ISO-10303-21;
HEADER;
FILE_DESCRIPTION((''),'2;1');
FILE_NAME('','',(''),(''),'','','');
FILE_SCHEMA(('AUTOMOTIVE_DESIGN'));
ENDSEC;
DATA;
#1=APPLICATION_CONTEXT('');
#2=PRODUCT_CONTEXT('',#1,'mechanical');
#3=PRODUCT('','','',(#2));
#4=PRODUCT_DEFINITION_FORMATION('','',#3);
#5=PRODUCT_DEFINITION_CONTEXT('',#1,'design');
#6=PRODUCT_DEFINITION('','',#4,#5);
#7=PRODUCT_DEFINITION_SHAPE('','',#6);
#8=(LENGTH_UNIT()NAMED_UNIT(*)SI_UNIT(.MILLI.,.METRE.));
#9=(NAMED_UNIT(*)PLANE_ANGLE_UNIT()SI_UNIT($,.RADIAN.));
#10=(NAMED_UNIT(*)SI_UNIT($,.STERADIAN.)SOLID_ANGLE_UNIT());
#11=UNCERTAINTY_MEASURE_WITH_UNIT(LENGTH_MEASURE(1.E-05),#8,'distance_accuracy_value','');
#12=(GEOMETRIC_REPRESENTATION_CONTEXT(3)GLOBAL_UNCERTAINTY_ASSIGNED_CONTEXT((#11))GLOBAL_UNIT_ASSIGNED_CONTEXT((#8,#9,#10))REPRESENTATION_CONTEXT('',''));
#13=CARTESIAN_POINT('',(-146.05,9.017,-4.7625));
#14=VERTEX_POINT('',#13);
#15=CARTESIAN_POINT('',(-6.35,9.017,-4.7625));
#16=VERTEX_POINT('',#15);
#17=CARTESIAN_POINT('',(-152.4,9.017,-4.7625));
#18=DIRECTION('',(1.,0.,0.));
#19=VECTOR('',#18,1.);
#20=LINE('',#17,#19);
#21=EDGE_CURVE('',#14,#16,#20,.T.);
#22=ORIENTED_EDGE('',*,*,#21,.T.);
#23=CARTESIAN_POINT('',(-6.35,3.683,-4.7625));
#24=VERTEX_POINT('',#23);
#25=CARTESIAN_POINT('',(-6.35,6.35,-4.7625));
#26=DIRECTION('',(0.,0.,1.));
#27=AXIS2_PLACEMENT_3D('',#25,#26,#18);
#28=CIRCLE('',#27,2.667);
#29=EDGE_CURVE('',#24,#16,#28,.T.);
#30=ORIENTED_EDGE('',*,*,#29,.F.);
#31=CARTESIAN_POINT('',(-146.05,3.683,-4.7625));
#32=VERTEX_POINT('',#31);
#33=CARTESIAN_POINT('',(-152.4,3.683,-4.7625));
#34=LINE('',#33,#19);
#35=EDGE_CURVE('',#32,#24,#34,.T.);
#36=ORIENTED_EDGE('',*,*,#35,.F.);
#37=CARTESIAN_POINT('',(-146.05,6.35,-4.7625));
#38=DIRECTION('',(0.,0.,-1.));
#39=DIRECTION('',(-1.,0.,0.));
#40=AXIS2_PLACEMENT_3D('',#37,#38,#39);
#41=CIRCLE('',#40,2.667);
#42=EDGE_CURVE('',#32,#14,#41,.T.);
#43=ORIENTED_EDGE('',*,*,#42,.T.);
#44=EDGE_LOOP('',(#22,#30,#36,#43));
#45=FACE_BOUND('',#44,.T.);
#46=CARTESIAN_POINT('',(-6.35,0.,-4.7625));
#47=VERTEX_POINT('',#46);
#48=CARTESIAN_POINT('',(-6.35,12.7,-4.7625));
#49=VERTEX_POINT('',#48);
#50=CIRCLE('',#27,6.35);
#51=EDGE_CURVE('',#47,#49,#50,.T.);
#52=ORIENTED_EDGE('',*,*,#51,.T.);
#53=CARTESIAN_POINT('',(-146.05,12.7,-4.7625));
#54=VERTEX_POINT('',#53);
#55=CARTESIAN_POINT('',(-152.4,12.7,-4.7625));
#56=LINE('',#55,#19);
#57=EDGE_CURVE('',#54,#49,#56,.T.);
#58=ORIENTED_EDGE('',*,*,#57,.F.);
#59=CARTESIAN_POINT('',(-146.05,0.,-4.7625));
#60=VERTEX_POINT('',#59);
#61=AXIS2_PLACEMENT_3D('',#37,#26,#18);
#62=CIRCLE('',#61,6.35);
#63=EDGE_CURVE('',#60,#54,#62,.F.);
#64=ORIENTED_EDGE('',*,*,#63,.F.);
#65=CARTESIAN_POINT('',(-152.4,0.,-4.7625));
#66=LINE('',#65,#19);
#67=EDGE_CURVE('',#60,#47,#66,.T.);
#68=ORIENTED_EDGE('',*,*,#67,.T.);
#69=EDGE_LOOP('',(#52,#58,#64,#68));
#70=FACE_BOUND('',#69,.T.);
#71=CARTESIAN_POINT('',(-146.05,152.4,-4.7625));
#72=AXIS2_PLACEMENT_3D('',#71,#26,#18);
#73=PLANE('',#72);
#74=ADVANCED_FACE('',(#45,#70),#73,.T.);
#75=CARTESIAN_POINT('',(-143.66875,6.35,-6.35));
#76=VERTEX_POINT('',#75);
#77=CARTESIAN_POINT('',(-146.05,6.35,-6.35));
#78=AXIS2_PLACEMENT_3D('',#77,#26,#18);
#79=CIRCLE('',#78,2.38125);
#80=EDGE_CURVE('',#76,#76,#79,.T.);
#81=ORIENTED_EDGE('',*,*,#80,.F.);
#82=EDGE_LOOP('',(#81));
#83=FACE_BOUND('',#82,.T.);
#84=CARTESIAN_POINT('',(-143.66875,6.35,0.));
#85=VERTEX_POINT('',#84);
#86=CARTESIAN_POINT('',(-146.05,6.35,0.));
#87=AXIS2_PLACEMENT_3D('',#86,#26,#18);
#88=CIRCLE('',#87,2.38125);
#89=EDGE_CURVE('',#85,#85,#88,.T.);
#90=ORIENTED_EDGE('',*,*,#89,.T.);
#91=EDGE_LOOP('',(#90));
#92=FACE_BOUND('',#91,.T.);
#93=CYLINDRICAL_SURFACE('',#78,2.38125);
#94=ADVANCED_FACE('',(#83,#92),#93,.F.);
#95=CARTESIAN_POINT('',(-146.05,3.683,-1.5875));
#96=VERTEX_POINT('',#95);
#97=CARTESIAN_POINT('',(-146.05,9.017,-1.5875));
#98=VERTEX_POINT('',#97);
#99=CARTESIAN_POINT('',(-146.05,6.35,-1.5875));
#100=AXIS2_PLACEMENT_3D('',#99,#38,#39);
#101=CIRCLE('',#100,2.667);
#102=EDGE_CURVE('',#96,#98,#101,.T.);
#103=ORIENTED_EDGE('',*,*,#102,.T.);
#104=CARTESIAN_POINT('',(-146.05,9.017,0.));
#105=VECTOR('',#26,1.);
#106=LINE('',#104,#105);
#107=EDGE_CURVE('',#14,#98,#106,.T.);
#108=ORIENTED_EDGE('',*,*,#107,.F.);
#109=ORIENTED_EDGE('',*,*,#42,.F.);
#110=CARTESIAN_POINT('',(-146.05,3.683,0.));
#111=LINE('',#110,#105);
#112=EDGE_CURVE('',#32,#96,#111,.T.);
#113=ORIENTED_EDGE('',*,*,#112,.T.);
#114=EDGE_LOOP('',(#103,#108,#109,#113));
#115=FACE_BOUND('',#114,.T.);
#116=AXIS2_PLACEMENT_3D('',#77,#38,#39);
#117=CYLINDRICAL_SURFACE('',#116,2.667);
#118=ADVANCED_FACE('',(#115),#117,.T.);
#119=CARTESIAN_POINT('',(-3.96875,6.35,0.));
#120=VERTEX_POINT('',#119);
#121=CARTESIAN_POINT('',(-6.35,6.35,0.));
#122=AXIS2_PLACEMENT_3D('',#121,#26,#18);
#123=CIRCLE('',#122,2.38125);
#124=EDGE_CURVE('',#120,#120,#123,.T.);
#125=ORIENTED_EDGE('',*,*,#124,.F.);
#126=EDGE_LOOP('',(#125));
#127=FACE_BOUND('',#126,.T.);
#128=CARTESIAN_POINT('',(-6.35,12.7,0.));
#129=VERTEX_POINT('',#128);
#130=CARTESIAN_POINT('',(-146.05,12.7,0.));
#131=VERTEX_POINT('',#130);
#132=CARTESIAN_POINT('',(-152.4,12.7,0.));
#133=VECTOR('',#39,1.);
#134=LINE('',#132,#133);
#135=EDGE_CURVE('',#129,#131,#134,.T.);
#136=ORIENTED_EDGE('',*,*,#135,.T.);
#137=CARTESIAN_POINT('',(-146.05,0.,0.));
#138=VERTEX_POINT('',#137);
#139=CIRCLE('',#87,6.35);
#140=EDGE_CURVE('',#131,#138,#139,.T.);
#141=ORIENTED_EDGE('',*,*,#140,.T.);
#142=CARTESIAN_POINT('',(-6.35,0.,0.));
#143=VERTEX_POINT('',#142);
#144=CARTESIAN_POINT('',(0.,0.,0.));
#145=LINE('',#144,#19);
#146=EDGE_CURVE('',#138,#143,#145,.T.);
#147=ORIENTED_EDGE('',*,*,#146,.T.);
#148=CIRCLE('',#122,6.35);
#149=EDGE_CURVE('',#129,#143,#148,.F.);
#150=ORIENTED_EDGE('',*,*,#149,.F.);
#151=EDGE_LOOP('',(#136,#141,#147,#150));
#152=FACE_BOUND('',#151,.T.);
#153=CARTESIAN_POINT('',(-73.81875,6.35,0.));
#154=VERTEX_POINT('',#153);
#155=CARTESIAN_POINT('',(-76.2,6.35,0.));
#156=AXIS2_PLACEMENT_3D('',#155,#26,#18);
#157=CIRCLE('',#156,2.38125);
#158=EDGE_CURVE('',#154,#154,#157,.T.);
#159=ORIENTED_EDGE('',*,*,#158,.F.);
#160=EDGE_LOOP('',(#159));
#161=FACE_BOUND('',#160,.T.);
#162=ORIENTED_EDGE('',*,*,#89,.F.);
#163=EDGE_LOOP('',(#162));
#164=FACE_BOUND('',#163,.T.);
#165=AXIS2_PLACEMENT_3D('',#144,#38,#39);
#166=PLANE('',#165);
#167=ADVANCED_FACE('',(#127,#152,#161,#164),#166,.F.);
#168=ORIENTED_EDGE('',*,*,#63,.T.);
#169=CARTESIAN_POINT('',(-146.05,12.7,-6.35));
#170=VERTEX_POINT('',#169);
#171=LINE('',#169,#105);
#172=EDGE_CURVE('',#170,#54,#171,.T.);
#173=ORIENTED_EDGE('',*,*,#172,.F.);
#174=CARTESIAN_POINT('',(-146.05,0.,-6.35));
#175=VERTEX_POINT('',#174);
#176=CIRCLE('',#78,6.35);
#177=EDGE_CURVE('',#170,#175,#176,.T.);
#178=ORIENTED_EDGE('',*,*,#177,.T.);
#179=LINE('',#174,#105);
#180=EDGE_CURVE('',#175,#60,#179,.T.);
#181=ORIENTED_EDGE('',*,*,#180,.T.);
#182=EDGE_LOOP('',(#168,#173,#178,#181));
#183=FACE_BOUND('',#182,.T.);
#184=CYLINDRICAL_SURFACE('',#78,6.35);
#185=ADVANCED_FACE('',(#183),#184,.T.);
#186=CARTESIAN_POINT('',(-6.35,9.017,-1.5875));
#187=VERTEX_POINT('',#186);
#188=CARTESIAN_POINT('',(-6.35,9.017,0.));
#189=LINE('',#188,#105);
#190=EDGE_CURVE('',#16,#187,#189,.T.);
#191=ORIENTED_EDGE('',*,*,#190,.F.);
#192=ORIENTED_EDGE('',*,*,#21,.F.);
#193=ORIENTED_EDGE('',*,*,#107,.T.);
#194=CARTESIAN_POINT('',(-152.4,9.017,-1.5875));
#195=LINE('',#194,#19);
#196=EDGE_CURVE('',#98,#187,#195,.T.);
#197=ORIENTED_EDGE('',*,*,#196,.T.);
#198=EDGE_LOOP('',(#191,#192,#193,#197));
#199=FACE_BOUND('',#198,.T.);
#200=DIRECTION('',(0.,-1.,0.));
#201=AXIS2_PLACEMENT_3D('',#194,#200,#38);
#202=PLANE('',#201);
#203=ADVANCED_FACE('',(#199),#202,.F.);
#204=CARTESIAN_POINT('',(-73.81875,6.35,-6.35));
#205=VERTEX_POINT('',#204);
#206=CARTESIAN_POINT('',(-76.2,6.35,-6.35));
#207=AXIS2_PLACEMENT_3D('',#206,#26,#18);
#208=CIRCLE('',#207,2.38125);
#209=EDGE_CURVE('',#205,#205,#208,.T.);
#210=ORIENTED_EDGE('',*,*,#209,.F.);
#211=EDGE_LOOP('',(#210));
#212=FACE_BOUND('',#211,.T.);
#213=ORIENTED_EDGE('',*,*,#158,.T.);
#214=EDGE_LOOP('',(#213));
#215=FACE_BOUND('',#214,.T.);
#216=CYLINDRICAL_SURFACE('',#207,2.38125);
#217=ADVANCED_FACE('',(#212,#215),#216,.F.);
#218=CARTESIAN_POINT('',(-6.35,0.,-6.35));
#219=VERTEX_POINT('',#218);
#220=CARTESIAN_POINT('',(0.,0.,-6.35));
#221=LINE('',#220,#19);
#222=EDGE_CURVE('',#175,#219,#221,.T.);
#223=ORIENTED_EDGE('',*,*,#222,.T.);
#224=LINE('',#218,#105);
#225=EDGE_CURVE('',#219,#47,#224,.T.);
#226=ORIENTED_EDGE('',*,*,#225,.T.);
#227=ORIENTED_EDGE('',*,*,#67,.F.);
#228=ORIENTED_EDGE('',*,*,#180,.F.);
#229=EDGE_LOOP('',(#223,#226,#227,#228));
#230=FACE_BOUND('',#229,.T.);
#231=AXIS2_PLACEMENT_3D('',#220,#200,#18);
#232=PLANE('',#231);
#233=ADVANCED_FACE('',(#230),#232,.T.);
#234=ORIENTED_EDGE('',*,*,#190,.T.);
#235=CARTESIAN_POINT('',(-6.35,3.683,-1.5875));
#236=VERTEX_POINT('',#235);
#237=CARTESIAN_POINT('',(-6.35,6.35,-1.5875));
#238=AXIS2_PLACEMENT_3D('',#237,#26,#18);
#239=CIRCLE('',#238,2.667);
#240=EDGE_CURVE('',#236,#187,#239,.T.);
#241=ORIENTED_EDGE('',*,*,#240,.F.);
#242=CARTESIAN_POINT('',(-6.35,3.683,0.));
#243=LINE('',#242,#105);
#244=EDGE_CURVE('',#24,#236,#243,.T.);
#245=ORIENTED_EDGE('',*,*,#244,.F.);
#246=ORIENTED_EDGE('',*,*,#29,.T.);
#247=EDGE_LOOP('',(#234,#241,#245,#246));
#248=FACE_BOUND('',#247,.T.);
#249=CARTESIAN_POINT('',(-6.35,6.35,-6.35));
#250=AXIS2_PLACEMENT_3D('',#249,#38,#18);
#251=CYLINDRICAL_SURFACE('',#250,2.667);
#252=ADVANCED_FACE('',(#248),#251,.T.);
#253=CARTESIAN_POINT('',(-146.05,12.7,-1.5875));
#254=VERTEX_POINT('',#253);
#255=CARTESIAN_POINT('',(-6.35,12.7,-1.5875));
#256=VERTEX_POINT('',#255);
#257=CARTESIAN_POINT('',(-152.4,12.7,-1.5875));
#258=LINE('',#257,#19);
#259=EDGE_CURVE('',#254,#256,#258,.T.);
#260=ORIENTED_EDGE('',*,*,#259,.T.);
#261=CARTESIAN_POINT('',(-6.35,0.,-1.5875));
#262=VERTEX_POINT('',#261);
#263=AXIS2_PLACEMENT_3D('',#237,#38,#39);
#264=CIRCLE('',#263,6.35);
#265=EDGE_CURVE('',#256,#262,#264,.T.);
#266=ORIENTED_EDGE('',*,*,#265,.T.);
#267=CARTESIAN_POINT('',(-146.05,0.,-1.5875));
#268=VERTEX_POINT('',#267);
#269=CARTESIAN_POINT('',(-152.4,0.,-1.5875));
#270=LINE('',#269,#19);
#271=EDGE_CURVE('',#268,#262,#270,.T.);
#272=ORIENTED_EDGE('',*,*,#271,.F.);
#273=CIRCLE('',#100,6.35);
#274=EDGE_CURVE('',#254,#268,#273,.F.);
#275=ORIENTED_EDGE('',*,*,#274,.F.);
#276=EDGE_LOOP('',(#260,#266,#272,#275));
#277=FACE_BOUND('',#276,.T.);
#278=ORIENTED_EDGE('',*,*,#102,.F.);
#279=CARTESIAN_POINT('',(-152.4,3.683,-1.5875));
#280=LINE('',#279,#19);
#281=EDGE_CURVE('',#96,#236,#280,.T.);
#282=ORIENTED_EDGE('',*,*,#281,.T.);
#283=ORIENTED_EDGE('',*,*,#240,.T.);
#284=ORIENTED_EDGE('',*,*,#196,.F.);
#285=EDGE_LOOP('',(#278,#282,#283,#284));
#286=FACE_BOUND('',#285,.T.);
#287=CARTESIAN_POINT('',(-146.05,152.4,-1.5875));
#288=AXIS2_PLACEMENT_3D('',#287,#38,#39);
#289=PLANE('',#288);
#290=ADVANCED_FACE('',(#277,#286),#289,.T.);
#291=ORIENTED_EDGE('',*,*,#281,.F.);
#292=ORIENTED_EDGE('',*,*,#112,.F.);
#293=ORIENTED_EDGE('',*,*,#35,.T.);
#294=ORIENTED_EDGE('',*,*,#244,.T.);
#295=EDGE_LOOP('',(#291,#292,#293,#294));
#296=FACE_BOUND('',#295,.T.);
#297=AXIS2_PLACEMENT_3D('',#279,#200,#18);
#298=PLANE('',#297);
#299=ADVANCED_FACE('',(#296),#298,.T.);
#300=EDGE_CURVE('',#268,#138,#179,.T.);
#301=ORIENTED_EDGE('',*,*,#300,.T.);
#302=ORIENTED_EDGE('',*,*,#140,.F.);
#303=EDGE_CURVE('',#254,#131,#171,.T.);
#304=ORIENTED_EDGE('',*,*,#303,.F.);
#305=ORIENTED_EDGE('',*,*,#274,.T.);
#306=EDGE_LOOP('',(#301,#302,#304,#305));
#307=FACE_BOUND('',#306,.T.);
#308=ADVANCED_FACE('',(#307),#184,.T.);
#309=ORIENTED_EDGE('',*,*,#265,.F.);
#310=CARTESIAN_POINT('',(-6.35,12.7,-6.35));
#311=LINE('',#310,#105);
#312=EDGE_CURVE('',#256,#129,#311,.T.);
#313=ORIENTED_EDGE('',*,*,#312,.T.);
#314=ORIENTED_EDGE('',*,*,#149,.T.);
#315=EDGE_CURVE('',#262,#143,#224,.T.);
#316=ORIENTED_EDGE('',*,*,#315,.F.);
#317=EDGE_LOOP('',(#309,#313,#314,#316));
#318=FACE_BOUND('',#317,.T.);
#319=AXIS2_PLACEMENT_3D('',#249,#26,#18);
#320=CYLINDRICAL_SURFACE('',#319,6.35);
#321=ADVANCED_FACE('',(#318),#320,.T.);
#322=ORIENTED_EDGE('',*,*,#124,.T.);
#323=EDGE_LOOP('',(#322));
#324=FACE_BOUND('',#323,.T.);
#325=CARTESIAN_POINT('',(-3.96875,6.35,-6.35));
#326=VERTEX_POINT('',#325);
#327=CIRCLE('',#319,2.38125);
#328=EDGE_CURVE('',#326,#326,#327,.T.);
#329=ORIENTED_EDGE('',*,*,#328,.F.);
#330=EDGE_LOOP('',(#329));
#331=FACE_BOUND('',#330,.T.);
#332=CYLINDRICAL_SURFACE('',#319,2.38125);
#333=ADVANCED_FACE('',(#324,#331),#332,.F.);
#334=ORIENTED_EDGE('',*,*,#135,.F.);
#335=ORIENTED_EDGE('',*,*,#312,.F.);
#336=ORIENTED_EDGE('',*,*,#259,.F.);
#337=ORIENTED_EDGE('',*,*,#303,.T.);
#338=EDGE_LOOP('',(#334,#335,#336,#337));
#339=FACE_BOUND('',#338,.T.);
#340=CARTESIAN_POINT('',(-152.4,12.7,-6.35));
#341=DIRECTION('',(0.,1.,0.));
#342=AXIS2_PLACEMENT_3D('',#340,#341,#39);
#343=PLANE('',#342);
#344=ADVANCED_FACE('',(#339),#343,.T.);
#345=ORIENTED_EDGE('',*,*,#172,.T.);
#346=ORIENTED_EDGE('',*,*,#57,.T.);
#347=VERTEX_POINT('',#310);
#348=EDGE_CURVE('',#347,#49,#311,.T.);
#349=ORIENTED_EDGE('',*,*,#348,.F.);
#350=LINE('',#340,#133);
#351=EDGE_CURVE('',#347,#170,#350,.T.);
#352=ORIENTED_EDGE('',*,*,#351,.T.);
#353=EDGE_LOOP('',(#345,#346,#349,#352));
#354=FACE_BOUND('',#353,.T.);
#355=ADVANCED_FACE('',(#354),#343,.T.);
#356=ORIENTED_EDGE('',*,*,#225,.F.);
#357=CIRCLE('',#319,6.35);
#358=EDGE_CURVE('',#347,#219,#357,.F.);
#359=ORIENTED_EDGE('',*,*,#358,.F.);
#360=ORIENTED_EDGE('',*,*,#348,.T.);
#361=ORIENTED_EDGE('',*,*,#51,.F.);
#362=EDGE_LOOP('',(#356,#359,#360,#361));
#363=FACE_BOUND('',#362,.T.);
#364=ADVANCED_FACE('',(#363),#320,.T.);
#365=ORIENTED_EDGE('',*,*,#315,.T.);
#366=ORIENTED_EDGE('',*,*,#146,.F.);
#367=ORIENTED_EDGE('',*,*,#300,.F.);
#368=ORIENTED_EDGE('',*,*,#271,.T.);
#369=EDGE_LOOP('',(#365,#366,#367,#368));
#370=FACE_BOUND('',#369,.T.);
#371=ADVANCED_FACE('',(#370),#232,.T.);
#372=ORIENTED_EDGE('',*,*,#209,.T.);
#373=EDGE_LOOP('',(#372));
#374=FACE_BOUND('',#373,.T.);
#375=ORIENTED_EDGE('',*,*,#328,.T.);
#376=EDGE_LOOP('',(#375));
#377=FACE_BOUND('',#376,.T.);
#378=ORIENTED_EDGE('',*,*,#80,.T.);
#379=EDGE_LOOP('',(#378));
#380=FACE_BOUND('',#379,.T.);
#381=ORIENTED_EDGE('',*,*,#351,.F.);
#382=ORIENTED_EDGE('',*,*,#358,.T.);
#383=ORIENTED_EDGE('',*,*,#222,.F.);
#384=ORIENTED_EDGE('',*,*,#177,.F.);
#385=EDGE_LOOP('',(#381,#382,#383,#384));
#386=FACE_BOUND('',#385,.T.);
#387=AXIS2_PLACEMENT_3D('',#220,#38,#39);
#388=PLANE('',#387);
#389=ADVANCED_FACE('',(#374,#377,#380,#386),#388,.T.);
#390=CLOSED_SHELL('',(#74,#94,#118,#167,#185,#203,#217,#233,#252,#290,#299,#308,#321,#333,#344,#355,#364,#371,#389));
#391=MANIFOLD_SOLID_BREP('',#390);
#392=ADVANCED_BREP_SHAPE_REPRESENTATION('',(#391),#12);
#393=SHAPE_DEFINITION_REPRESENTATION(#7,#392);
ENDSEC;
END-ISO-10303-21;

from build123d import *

# Parameters (mm, degrees)
ESQUISSE1_W             = 152.4
ESQUISSE1_H             = 12.7
BOSS_EXTRU_1_DEPTH      = 6.35
ESQUISSE2_R             = 2.38125
ENL_V_MAT_EXTRU_1_DEPTH = 154.060029074
SKETCH1_W               = 14.17076538
SKETCH1_H               = 3.175
CUT_REVOLVE1_ANGLE      = 180
SKETCH2_W               = 3.175
SKETCH2_H               = 3.683
CUT_EXTRUDE1_DEPTH      = 154.060029074


with BuildPart() as part:
    # Esquisse1 → Boss.-Extru.1 (new body)
    with BuildSketch(Plane.XY):
        with Locations((-76.2, 6.35)):
            Rectangle(ESQUISSE1_W, ESQUISSE1_H)
    extrude(amount=-BOSS_EXTRU_1_DEPTH)

    # Esquisse2 → Enlèv. mat.-Extru.1 (cut, through all)
    with BuildSketch(Plane.XY):
        with Locations((-146.05, 6.35)):
            Circle(ESQUISSE2_R)
        with Locations((-76.2, 6.35)):
            Circle(ESQUISSE2_R)
        with Locations((-6.35, 6.35)):
            Circle(ESQUISSE2_R)
        with BuildLine():
            Line((0, 12.7), (-6.35, 12.7))
            ThreePointArc((-6.35, 12.7), (-1.859871939, 10.840128061), (0, 6.35))
            Line((0, 6.35), (0, 12.7))
        make_face()
        with BuildLine():
            Line((0, 0), (0, 6.35))
            ThreePointArc((0, 6.35), (-1.859871939, 1.859871939), (-6.35, 0))
            Line((-6.35, 0), (0, 0))
        make_face()
        with BuildLine():
            ThreePointArc((-152.4, 6.35), (-150.540128061, 10.840128061), (-146.05, 12.7))
            Line((-146.05, 12.7), (-152.4, 12.7))
            Line((-152.4, 12.7), (-152.4, 6.35))
        make_face()
        with BuildLine():
            ThreePointArc((-146.05, 0), (-150.540128061, 1.859871939), (-152.4, 6.35))
            Line((-152.4, 6.35), (-152.4, 0))
            Line((-152.4, 0), (-146.05, 0))
        make_face()
    extrude(amount=-ENL_V_MAT_EXTRU_1_DEPTH, mode=Mode.SUBTRACT)

    # Sketch1 → Cut-Revolve1 (revolve, symmetric, cut)
    with BuildSketch(Plane(origin=(0, 6.35, 0), x_dir=(1, 0, 0), z_dir=(0, 1, 0))) as cut_revolve1_sk:
        Polygon((-150.5585, 1.5875), (-152.4, 1.5875), (-152.4, 4.7625), (-150.5585, 4.7625), (-148.717, 4.7625), (-148.717, 1.5875), align=None)
        with Locations((-159.48538269, 3.175)):
            Rectangle(SKETCH1_W, SKETCH1_H)
    cut_revolve1 = revolve(axis=Axis((-146.05, 6.35, -6.35), (0, 0, 1)), revolution_arc=CUT_REVOLVE1_ANGLE / 2, mode=Mode.SUBTRACT)
    cut_revolve1 = cut_revolve1 + revolve(cut_revolve1_sk.sketch, axis=Axis((-146.05, 6.35, -6.35), (0, 0, -1)), revolution_arc=CUT_REVOLVE1_ANGLE / 2, mode=Mode.SUBTRACT)

    # Mirror1: Cut-Revolve1 across plane
    add(cut_revolve1.mirror(Plane(origin=(-76.2, 0, 0), x_dir=(0, 0, 1), z_dir=(1, 0, 0))), mode=Mode.SUBTRACT)

    # Sketch2 → Cut-Extrude1 (cut, through all)
    with BuildSketch(Plane(origin=(0, 0, 0), x_dir=(0, 0, -1), z_dir=(1, 0, 0))):
        with Locations((3.175, 10.8585)):
            Rectangle(SKETCH2_W, SKETCH2_H)
    cut_extrude1 = extrude(amount=-CUT_EXTRUDE1_DEPTH, mode=Mode.SUBTRACT)

    # Mirror2: Cut-Extrude1 across plane
    add(cut_extrude1.mirror(Plane.ZX.offset(6.35)), mode=Mode.SUBTRACT)


solid = part.part
